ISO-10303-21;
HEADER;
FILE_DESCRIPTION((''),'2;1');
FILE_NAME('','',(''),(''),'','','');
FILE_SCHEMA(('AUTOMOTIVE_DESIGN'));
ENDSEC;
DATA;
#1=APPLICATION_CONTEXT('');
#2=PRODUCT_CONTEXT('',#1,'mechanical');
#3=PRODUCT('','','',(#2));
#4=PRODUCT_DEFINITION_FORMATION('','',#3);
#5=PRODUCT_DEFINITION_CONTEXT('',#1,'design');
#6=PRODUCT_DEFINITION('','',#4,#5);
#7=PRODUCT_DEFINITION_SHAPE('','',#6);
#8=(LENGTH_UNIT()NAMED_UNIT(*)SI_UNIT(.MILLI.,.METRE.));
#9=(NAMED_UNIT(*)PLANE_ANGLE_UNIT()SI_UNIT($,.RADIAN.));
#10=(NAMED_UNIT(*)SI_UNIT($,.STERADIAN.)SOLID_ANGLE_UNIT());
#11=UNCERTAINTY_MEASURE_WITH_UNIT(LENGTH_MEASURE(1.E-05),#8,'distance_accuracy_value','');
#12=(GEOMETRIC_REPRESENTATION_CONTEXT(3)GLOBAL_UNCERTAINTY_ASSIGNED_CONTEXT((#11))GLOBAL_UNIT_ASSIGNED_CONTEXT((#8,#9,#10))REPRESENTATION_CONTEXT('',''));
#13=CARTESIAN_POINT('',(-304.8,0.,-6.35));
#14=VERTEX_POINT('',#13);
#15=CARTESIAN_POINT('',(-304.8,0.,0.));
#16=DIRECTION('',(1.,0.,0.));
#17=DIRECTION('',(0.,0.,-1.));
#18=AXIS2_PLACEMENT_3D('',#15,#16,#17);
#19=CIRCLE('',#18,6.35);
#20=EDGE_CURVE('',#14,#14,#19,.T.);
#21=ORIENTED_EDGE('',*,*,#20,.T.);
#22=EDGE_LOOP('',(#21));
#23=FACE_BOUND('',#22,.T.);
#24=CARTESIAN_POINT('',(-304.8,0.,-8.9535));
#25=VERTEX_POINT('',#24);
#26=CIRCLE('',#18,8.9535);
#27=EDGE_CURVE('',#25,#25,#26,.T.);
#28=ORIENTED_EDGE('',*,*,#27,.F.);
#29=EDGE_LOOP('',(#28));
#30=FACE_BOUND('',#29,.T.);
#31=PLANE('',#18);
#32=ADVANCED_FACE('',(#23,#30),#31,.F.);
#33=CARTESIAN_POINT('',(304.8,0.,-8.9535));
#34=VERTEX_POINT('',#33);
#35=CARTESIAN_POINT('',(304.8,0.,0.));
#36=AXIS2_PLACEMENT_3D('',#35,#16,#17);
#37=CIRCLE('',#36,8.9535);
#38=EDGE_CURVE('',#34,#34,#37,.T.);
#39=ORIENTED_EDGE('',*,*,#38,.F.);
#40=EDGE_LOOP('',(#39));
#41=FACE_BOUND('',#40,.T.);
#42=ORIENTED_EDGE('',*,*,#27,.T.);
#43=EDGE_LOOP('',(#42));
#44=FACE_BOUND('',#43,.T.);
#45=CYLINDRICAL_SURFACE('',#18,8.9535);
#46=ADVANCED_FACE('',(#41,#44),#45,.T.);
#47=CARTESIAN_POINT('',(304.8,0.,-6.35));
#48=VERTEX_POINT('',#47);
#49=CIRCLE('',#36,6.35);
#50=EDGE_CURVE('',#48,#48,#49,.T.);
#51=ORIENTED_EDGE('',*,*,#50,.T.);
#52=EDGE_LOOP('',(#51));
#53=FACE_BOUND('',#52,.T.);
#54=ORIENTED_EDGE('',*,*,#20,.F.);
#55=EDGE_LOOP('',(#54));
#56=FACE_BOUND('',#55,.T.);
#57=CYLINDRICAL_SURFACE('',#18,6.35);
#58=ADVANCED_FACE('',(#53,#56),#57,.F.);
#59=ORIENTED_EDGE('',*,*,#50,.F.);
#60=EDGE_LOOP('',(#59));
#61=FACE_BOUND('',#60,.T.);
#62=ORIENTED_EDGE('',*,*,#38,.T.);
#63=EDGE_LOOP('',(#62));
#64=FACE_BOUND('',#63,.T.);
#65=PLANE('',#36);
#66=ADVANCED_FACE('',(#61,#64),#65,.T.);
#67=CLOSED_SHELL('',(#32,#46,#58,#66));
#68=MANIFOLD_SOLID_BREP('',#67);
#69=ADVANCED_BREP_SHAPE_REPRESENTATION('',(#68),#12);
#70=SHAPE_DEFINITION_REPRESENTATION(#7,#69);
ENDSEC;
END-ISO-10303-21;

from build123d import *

# Parameters (mm, degrees)
BOSS_EXTRUDE1_DEPTH      = 304.8
BOSS_EXTRUDE1_DEPTH_BACK = 304.8
SKETCH1_R                = 8.9535
SKETCH1_R_2              = 6.35


with BuildPart() as part:
    # Sketch1 → Boss-Extrude1 (new, two sides: drawn at the far end of the back side and taken through both)
    with BuildSketch(Plane(origin=(0, 0, 0), x_dir=(0, 0, -1), z_dir=(1, 0, 0)).offset(-BOSS_EXTRUDE1_DEPTH_BACK)):
        Circle(SKETCH1_R)
        Circle(SKETCH1_R_2, mode=Mode.SUBTRACT)
    extrude(amount=BOSS_EXTRUDE1_DEPTH + BOSS_EXTRUDE1_DEPTH_BACK)


solid = part.part
